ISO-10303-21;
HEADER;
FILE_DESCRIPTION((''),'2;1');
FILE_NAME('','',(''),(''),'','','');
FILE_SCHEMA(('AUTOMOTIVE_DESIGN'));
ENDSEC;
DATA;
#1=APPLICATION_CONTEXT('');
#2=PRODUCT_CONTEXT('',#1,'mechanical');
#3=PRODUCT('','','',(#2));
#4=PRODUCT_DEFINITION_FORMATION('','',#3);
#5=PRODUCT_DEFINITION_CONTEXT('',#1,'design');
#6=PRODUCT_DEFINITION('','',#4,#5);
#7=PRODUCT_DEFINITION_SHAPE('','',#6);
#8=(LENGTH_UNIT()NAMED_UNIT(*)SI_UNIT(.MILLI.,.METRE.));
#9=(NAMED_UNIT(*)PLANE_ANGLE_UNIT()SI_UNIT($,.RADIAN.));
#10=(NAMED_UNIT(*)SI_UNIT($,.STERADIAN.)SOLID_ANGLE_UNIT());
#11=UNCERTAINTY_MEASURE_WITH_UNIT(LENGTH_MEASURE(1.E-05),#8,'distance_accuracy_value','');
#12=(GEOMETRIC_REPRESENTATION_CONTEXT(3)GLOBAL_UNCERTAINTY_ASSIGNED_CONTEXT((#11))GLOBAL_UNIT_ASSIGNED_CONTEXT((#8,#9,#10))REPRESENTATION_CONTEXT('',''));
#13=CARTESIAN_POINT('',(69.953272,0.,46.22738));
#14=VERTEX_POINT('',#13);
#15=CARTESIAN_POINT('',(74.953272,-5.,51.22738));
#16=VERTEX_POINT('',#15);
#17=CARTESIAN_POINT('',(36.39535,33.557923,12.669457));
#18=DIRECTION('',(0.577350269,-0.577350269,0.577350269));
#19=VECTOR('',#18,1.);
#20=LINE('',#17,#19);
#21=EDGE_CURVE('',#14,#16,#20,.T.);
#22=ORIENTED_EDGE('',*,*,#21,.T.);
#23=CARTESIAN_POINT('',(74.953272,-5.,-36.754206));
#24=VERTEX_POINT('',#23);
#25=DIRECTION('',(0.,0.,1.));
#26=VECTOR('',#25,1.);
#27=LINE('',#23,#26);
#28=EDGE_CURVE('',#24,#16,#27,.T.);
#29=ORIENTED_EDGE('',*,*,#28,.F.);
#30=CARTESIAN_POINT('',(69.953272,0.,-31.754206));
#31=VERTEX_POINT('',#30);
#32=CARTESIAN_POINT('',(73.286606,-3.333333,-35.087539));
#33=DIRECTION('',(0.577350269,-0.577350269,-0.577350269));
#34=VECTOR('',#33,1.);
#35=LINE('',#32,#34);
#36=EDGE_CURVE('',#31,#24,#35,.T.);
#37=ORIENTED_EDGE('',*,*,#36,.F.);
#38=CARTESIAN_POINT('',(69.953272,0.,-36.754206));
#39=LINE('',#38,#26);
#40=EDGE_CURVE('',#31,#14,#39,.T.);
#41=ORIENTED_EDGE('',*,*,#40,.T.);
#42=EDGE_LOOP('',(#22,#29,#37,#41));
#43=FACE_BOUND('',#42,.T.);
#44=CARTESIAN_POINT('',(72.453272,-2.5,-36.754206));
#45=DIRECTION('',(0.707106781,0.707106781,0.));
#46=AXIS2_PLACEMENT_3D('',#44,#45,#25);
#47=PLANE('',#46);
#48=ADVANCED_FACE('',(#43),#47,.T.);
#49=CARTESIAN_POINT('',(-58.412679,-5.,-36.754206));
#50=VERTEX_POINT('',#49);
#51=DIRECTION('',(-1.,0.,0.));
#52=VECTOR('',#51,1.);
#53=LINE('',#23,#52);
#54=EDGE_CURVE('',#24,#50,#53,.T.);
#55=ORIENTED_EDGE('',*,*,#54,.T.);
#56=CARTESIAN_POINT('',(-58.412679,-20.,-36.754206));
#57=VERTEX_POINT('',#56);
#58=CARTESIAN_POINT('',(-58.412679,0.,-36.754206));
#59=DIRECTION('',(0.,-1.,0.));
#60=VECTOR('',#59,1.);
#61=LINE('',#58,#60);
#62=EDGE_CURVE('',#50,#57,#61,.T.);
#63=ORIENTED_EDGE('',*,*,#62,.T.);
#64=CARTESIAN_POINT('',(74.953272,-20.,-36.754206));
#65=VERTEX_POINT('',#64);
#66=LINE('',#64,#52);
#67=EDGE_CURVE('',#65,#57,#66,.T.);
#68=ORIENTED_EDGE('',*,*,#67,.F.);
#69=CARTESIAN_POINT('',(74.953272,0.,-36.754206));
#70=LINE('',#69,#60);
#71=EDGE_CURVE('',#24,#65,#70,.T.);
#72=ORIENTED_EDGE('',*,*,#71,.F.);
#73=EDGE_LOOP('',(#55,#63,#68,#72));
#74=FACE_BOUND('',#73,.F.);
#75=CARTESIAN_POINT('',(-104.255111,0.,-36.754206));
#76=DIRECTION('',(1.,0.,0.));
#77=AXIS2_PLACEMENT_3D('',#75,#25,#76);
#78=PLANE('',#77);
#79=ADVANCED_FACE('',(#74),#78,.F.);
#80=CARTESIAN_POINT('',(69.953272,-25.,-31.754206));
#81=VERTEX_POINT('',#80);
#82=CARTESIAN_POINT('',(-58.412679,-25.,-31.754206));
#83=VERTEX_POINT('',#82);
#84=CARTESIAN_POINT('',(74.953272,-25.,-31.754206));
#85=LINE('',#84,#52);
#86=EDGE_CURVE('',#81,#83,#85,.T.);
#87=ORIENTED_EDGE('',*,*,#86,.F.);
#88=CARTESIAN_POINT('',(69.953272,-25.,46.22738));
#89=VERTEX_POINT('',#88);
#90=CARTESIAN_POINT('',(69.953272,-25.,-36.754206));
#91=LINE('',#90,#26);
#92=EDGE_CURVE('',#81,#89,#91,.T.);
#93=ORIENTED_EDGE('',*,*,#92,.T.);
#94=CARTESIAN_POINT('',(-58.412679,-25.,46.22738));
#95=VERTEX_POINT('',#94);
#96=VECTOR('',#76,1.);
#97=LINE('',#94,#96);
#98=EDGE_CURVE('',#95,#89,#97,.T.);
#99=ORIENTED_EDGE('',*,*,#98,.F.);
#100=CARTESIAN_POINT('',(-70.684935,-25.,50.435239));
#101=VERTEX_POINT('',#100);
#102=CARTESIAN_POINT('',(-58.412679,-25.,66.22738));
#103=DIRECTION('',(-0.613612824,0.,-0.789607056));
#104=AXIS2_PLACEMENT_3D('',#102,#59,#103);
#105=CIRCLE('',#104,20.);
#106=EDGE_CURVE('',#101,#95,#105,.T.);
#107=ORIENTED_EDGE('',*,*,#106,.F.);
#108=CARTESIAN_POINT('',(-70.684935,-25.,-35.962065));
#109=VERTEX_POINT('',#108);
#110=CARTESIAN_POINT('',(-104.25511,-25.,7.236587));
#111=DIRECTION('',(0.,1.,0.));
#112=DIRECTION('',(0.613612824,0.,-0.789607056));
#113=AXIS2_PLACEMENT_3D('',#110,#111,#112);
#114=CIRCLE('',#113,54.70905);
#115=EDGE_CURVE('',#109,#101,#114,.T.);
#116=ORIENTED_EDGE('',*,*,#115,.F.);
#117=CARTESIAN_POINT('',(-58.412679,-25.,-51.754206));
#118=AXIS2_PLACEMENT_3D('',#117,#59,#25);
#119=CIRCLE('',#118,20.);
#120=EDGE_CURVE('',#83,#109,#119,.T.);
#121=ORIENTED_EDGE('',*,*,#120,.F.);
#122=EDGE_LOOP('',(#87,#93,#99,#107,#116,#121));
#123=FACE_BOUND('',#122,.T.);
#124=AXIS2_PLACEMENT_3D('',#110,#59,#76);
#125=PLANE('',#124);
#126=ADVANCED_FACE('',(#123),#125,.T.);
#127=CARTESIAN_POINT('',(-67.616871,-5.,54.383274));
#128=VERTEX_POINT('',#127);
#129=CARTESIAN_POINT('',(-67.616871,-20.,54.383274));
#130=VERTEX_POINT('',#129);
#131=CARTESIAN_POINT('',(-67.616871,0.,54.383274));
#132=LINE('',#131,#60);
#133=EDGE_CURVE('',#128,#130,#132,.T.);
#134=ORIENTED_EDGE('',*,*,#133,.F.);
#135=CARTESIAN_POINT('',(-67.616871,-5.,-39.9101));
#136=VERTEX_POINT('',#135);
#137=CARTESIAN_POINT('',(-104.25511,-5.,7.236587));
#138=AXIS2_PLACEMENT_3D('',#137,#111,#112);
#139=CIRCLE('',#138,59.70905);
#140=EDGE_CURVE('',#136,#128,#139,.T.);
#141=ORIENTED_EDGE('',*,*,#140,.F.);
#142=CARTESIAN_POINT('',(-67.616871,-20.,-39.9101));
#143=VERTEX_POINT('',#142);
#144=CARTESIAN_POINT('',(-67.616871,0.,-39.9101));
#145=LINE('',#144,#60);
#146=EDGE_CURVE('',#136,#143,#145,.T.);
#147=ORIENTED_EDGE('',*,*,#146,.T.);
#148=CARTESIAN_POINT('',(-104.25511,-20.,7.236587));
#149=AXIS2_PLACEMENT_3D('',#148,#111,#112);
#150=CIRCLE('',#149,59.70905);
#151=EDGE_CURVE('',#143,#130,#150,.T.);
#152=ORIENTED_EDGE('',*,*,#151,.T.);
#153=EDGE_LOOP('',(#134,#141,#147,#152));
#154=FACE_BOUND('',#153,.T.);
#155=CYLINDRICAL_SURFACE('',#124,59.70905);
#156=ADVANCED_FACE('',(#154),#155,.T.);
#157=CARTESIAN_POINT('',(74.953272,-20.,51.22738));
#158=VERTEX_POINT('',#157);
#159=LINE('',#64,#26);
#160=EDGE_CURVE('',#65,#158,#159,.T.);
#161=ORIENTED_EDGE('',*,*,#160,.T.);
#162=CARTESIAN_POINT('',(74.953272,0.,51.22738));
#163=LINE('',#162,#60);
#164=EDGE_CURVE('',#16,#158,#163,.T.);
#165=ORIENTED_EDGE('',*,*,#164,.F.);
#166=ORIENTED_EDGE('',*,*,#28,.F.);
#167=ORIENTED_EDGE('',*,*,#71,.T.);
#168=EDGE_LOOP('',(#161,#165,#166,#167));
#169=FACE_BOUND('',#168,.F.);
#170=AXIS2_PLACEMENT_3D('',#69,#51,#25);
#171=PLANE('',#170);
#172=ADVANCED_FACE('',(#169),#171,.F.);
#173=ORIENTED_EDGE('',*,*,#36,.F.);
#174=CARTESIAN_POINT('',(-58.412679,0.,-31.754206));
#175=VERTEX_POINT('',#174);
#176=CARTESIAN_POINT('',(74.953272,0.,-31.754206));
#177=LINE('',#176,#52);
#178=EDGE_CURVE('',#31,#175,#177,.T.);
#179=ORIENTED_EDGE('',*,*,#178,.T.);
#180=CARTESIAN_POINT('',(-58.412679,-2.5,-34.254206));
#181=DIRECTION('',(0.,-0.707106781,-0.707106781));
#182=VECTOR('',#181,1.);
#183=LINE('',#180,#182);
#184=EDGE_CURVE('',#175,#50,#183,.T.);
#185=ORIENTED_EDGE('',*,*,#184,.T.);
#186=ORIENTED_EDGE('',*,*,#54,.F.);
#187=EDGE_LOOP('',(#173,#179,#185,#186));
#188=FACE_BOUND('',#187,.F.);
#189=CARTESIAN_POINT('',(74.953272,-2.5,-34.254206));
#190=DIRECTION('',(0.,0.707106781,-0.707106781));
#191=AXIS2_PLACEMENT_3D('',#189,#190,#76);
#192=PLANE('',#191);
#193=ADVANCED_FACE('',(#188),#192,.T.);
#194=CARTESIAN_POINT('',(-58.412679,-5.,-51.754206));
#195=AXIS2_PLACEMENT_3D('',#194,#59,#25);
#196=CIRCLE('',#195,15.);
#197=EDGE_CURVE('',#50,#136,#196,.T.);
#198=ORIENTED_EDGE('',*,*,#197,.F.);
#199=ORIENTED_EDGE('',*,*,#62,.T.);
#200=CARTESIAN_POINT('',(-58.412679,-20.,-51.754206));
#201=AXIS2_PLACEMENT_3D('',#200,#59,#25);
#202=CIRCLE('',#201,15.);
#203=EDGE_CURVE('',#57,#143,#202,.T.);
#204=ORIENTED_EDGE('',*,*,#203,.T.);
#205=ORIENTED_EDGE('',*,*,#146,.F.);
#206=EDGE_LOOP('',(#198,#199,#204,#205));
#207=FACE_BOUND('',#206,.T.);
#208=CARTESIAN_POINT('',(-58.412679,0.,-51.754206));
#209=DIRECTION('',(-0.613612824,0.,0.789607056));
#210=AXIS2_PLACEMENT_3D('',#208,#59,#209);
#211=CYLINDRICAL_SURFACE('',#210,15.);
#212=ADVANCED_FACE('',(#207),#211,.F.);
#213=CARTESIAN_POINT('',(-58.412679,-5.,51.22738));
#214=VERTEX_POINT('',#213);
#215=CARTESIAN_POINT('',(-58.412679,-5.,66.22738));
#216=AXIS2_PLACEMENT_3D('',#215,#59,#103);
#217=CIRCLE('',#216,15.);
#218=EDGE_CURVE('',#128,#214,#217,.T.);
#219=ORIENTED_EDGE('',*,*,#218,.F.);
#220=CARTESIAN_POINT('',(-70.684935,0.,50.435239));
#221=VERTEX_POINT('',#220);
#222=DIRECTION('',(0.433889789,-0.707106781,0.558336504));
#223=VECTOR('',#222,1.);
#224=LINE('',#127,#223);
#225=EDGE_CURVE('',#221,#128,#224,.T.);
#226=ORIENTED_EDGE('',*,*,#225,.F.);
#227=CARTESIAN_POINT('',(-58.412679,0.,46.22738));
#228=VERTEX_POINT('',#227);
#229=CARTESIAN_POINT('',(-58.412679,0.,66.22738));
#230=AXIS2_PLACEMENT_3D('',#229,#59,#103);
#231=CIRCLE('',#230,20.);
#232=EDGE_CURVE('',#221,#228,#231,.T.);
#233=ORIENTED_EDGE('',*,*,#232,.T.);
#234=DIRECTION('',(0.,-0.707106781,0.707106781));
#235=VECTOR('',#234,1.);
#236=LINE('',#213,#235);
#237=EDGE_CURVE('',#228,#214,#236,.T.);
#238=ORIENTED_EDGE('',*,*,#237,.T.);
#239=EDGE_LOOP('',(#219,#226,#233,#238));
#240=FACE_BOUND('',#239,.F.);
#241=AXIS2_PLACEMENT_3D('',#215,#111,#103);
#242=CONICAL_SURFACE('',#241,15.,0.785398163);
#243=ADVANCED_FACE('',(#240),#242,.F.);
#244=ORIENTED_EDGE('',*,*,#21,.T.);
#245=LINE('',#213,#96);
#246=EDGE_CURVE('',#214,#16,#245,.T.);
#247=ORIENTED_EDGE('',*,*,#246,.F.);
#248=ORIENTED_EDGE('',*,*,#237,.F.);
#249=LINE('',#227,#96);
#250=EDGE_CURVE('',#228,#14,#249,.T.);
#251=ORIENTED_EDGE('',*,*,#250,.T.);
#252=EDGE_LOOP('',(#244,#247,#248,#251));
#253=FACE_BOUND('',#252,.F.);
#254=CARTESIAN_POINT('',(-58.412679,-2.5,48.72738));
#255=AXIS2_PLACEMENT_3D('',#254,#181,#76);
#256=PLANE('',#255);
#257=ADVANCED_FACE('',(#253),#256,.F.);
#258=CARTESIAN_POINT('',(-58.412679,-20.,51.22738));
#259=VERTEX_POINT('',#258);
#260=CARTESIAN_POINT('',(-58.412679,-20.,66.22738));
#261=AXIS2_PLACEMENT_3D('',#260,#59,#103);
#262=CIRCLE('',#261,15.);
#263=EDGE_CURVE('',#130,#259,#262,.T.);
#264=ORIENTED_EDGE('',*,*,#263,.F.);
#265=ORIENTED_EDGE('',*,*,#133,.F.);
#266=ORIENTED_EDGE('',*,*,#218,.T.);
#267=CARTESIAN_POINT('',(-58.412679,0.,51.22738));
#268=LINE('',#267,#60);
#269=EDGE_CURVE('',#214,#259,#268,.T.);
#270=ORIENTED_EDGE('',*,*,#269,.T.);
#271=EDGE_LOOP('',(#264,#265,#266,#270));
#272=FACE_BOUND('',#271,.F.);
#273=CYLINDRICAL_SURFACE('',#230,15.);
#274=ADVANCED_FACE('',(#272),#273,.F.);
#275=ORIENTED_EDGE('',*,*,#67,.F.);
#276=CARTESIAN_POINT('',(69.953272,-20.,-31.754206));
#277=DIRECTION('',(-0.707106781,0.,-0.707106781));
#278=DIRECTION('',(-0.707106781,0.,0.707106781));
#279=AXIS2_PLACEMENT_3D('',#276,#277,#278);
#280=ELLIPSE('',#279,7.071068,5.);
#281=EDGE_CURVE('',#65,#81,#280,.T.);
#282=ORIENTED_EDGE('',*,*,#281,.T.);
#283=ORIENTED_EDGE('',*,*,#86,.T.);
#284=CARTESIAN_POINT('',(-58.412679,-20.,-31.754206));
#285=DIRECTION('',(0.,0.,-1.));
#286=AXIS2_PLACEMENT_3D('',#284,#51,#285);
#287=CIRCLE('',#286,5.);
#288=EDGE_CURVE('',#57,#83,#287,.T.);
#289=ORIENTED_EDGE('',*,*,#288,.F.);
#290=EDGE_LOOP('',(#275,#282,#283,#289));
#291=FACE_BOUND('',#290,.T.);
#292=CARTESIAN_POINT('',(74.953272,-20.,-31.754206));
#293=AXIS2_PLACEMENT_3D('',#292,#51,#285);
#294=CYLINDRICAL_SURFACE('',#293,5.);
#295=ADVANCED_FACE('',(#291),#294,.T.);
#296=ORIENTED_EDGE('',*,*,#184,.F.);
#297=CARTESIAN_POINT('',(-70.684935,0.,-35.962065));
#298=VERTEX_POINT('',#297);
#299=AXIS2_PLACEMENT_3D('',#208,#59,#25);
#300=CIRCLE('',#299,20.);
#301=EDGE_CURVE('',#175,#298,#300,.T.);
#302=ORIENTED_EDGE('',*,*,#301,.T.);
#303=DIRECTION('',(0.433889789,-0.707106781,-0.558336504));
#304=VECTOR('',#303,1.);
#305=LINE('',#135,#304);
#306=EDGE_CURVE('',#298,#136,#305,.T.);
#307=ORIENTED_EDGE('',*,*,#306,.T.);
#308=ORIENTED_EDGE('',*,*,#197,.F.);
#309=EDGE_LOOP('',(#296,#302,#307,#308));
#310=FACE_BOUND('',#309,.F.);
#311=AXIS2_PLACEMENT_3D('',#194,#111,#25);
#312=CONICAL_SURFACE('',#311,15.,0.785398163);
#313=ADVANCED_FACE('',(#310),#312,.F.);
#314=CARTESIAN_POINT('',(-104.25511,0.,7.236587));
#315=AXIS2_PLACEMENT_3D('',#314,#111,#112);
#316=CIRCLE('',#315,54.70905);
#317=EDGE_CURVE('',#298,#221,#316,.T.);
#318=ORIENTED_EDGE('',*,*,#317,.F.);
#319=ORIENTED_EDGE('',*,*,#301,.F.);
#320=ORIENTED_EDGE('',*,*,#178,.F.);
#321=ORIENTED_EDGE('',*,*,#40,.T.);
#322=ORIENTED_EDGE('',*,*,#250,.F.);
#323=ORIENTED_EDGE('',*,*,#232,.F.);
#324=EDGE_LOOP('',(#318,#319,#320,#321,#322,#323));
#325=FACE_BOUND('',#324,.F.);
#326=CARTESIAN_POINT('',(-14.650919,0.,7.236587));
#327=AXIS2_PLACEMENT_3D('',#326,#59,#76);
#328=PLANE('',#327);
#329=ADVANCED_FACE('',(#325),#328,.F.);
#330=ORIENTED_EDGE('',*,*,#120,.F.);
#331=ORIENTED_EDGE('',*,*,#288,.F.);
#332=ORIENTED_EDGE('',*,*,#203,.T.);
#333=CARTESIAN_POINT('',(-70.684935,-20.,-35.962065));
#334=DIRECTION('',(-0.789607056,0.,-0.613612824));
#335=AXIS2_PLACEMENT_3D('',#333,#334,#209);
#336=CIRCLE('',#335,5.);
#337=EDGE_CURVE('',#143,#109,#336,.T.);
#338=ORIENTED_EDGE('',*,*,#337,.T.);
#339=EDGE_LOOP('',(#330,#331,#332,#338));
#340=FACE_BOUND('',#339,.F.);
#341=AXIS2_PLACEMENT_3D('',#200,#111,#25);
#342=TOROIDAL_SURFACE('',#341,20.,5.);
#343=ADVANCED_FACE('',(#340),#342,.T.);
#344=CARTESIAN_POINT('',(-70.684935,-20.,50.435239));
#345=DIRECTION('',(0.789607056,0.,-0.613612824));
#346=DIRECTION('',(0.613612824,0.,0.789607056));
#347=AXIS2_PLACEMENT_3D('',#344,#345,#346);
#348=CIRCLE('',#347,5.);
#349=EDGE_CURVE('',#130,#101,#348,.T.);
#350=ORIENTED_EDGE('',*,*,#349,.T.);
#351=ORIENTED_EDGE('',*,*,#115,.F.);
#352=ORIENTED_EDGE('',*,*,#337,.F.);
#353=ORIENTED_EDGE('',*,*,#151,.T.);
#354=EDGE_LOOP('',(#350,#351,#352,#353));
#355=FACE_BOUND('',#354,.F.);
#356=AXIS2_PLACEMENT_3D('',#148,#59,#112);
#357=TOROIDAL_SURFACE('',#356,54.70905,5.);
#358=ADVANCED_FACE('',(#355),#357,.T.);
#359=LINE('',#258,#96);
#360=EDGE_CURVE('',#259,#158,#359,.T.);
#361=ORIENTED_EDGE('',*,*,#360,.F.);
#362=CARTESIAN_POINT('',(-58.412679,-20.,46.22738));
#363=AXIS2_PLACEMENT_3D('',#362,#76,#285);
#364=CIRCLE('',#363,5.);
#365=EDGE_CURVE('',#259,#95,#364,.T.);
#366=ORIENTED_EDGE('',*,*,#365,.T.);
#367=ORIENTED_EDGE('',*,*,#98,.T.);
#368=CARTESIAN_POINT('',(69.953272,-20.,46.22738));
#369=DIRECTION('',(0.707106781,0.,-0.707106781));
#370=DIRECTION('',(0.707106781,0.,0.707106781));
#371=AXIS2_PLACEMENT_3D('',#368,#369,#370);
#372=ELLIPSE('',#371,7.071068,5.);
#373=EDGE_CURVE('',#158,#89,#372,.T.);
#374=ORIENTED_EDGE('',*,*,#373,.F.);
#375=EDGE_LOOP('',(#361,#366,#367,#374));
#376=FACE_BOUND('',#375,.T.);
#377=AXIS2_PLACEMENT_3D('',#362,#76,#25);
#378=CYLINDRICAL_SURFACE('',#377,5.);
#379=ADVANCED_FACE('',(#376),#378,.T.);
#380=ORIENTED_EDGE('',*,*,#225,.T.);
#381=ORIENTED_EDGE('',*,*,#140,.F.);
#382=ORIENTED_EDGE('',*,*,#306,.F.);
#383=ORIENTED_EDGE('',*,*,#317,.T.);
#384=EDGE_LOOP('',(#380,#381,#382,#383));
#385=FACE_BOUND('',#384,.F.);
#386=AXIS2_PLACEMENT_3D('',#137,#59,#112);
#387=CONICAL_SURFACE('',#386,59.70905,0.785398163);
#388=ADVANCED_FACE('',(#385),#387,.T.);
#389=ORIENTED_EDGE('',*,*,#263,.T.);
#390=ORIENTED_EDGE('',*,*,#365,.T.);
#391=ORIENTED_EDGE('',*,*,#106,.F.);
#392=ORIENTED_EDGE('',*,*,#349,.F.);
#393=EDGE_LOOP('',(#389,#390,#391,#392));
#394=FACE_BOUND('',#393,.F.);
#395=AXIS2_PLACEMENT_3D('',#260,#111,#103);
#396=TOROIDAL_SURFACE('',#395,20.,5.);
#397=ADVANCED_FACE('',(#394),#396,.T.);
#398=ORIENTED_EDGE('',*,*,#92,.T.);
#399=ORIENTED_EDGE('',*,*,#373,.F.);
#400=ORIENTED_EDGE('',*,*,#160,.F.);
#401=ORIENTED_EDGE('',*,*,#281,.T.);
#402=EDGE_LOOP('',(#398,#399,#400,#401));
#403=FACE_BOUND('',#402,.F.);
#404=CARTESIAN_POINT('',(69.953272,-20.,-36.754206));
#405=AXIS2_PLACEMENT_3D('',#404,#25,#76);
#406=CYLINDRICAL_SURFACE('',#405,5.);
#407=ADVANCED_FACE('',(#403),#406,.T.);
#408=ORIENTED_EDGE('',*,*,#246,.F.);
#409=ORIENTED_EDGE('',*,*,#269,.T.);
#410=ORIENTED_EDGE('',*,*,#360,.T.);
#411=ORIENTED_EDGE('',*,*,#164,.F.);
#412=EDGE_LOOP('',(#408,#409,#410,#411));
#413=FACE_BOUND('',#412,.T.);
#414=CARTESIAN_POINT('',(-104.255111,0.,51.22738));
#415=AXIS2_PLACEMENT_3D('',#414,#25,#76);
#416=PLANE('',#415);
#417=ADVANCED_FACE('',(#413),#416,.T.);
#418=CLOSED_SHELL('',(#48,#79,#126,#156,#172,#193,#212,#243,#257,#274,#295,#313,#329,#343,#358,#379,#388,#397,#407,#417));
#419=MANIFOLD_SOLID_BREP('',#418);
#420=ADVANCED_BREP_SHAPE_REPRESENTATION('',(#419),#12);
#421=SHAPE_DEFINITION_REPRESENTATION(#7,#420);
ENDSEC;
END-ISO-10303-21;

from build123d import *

# Parameters (mm, degrees)
F0_W     = 179.208383
F0_H     = 87.981586
F1_DEPTH = 25
F2_R     = 59.70905
F3_DEPTH = 25
F4_R     = 15
F5_R     = 5
F6_SIZE  = 5


with BuildPart() as f1:
    # F0 (on Front) → F1 (new body)
    with BuildSketch(Plane.XZ):
        with Locations((-14.650919, 7.236587)):
            Rectangle(F0_W, F0_H)
    extrude(amount=F1_DEPTH)

    # F2 (on face) → F3 (join, through all)
    with BuildSketch(Plane.XZ.offset(25)):
        with Locations((-104.25511, 7.236587)):
            Circle(F2_R)
    extrude(amount=-F3_DEPTH)

    # F4
    f4_edges = [f1.edges().sort_by_distance(p)[0] for p in [
        (-63.882089, -12.5, 51.22738),
        (-63.882089, -12.5, -36.754206),
    ]]
    fillet(f4_edges, radius=F4_R)

    # F5
    f5_edges = [f1.edges().sort_by_distance(p)[0] for p in [
        (8.270297, -25, 51.22738),
        (-63.277779, -25, 52.038271),
        (74.953273, -25, 7.236587),
        (-163.96416, -25, 7.236587),
        (8.270297, -25, -36.754206),
        (-63.277779, -25, -37.565098),
    ]]
    fillet(f5_edges, radius=F5_R)

    # F6
    f6_edges = [f1.edges().sort_by_distance(p)[0] for p in [
        (8.270297, 0, 51.22738),
        (-63.277779, 0, 52.038271),
        (74.953273, 0, 7.236587),
        (-163.96416, 0, 7.236587),
        (8.270297, 0, -36.754206),
        (-63.277779, 0, -37.565098),
    ]]
    chamfer(f6_edges, length=F6_SIZE)


solid = f1.part
